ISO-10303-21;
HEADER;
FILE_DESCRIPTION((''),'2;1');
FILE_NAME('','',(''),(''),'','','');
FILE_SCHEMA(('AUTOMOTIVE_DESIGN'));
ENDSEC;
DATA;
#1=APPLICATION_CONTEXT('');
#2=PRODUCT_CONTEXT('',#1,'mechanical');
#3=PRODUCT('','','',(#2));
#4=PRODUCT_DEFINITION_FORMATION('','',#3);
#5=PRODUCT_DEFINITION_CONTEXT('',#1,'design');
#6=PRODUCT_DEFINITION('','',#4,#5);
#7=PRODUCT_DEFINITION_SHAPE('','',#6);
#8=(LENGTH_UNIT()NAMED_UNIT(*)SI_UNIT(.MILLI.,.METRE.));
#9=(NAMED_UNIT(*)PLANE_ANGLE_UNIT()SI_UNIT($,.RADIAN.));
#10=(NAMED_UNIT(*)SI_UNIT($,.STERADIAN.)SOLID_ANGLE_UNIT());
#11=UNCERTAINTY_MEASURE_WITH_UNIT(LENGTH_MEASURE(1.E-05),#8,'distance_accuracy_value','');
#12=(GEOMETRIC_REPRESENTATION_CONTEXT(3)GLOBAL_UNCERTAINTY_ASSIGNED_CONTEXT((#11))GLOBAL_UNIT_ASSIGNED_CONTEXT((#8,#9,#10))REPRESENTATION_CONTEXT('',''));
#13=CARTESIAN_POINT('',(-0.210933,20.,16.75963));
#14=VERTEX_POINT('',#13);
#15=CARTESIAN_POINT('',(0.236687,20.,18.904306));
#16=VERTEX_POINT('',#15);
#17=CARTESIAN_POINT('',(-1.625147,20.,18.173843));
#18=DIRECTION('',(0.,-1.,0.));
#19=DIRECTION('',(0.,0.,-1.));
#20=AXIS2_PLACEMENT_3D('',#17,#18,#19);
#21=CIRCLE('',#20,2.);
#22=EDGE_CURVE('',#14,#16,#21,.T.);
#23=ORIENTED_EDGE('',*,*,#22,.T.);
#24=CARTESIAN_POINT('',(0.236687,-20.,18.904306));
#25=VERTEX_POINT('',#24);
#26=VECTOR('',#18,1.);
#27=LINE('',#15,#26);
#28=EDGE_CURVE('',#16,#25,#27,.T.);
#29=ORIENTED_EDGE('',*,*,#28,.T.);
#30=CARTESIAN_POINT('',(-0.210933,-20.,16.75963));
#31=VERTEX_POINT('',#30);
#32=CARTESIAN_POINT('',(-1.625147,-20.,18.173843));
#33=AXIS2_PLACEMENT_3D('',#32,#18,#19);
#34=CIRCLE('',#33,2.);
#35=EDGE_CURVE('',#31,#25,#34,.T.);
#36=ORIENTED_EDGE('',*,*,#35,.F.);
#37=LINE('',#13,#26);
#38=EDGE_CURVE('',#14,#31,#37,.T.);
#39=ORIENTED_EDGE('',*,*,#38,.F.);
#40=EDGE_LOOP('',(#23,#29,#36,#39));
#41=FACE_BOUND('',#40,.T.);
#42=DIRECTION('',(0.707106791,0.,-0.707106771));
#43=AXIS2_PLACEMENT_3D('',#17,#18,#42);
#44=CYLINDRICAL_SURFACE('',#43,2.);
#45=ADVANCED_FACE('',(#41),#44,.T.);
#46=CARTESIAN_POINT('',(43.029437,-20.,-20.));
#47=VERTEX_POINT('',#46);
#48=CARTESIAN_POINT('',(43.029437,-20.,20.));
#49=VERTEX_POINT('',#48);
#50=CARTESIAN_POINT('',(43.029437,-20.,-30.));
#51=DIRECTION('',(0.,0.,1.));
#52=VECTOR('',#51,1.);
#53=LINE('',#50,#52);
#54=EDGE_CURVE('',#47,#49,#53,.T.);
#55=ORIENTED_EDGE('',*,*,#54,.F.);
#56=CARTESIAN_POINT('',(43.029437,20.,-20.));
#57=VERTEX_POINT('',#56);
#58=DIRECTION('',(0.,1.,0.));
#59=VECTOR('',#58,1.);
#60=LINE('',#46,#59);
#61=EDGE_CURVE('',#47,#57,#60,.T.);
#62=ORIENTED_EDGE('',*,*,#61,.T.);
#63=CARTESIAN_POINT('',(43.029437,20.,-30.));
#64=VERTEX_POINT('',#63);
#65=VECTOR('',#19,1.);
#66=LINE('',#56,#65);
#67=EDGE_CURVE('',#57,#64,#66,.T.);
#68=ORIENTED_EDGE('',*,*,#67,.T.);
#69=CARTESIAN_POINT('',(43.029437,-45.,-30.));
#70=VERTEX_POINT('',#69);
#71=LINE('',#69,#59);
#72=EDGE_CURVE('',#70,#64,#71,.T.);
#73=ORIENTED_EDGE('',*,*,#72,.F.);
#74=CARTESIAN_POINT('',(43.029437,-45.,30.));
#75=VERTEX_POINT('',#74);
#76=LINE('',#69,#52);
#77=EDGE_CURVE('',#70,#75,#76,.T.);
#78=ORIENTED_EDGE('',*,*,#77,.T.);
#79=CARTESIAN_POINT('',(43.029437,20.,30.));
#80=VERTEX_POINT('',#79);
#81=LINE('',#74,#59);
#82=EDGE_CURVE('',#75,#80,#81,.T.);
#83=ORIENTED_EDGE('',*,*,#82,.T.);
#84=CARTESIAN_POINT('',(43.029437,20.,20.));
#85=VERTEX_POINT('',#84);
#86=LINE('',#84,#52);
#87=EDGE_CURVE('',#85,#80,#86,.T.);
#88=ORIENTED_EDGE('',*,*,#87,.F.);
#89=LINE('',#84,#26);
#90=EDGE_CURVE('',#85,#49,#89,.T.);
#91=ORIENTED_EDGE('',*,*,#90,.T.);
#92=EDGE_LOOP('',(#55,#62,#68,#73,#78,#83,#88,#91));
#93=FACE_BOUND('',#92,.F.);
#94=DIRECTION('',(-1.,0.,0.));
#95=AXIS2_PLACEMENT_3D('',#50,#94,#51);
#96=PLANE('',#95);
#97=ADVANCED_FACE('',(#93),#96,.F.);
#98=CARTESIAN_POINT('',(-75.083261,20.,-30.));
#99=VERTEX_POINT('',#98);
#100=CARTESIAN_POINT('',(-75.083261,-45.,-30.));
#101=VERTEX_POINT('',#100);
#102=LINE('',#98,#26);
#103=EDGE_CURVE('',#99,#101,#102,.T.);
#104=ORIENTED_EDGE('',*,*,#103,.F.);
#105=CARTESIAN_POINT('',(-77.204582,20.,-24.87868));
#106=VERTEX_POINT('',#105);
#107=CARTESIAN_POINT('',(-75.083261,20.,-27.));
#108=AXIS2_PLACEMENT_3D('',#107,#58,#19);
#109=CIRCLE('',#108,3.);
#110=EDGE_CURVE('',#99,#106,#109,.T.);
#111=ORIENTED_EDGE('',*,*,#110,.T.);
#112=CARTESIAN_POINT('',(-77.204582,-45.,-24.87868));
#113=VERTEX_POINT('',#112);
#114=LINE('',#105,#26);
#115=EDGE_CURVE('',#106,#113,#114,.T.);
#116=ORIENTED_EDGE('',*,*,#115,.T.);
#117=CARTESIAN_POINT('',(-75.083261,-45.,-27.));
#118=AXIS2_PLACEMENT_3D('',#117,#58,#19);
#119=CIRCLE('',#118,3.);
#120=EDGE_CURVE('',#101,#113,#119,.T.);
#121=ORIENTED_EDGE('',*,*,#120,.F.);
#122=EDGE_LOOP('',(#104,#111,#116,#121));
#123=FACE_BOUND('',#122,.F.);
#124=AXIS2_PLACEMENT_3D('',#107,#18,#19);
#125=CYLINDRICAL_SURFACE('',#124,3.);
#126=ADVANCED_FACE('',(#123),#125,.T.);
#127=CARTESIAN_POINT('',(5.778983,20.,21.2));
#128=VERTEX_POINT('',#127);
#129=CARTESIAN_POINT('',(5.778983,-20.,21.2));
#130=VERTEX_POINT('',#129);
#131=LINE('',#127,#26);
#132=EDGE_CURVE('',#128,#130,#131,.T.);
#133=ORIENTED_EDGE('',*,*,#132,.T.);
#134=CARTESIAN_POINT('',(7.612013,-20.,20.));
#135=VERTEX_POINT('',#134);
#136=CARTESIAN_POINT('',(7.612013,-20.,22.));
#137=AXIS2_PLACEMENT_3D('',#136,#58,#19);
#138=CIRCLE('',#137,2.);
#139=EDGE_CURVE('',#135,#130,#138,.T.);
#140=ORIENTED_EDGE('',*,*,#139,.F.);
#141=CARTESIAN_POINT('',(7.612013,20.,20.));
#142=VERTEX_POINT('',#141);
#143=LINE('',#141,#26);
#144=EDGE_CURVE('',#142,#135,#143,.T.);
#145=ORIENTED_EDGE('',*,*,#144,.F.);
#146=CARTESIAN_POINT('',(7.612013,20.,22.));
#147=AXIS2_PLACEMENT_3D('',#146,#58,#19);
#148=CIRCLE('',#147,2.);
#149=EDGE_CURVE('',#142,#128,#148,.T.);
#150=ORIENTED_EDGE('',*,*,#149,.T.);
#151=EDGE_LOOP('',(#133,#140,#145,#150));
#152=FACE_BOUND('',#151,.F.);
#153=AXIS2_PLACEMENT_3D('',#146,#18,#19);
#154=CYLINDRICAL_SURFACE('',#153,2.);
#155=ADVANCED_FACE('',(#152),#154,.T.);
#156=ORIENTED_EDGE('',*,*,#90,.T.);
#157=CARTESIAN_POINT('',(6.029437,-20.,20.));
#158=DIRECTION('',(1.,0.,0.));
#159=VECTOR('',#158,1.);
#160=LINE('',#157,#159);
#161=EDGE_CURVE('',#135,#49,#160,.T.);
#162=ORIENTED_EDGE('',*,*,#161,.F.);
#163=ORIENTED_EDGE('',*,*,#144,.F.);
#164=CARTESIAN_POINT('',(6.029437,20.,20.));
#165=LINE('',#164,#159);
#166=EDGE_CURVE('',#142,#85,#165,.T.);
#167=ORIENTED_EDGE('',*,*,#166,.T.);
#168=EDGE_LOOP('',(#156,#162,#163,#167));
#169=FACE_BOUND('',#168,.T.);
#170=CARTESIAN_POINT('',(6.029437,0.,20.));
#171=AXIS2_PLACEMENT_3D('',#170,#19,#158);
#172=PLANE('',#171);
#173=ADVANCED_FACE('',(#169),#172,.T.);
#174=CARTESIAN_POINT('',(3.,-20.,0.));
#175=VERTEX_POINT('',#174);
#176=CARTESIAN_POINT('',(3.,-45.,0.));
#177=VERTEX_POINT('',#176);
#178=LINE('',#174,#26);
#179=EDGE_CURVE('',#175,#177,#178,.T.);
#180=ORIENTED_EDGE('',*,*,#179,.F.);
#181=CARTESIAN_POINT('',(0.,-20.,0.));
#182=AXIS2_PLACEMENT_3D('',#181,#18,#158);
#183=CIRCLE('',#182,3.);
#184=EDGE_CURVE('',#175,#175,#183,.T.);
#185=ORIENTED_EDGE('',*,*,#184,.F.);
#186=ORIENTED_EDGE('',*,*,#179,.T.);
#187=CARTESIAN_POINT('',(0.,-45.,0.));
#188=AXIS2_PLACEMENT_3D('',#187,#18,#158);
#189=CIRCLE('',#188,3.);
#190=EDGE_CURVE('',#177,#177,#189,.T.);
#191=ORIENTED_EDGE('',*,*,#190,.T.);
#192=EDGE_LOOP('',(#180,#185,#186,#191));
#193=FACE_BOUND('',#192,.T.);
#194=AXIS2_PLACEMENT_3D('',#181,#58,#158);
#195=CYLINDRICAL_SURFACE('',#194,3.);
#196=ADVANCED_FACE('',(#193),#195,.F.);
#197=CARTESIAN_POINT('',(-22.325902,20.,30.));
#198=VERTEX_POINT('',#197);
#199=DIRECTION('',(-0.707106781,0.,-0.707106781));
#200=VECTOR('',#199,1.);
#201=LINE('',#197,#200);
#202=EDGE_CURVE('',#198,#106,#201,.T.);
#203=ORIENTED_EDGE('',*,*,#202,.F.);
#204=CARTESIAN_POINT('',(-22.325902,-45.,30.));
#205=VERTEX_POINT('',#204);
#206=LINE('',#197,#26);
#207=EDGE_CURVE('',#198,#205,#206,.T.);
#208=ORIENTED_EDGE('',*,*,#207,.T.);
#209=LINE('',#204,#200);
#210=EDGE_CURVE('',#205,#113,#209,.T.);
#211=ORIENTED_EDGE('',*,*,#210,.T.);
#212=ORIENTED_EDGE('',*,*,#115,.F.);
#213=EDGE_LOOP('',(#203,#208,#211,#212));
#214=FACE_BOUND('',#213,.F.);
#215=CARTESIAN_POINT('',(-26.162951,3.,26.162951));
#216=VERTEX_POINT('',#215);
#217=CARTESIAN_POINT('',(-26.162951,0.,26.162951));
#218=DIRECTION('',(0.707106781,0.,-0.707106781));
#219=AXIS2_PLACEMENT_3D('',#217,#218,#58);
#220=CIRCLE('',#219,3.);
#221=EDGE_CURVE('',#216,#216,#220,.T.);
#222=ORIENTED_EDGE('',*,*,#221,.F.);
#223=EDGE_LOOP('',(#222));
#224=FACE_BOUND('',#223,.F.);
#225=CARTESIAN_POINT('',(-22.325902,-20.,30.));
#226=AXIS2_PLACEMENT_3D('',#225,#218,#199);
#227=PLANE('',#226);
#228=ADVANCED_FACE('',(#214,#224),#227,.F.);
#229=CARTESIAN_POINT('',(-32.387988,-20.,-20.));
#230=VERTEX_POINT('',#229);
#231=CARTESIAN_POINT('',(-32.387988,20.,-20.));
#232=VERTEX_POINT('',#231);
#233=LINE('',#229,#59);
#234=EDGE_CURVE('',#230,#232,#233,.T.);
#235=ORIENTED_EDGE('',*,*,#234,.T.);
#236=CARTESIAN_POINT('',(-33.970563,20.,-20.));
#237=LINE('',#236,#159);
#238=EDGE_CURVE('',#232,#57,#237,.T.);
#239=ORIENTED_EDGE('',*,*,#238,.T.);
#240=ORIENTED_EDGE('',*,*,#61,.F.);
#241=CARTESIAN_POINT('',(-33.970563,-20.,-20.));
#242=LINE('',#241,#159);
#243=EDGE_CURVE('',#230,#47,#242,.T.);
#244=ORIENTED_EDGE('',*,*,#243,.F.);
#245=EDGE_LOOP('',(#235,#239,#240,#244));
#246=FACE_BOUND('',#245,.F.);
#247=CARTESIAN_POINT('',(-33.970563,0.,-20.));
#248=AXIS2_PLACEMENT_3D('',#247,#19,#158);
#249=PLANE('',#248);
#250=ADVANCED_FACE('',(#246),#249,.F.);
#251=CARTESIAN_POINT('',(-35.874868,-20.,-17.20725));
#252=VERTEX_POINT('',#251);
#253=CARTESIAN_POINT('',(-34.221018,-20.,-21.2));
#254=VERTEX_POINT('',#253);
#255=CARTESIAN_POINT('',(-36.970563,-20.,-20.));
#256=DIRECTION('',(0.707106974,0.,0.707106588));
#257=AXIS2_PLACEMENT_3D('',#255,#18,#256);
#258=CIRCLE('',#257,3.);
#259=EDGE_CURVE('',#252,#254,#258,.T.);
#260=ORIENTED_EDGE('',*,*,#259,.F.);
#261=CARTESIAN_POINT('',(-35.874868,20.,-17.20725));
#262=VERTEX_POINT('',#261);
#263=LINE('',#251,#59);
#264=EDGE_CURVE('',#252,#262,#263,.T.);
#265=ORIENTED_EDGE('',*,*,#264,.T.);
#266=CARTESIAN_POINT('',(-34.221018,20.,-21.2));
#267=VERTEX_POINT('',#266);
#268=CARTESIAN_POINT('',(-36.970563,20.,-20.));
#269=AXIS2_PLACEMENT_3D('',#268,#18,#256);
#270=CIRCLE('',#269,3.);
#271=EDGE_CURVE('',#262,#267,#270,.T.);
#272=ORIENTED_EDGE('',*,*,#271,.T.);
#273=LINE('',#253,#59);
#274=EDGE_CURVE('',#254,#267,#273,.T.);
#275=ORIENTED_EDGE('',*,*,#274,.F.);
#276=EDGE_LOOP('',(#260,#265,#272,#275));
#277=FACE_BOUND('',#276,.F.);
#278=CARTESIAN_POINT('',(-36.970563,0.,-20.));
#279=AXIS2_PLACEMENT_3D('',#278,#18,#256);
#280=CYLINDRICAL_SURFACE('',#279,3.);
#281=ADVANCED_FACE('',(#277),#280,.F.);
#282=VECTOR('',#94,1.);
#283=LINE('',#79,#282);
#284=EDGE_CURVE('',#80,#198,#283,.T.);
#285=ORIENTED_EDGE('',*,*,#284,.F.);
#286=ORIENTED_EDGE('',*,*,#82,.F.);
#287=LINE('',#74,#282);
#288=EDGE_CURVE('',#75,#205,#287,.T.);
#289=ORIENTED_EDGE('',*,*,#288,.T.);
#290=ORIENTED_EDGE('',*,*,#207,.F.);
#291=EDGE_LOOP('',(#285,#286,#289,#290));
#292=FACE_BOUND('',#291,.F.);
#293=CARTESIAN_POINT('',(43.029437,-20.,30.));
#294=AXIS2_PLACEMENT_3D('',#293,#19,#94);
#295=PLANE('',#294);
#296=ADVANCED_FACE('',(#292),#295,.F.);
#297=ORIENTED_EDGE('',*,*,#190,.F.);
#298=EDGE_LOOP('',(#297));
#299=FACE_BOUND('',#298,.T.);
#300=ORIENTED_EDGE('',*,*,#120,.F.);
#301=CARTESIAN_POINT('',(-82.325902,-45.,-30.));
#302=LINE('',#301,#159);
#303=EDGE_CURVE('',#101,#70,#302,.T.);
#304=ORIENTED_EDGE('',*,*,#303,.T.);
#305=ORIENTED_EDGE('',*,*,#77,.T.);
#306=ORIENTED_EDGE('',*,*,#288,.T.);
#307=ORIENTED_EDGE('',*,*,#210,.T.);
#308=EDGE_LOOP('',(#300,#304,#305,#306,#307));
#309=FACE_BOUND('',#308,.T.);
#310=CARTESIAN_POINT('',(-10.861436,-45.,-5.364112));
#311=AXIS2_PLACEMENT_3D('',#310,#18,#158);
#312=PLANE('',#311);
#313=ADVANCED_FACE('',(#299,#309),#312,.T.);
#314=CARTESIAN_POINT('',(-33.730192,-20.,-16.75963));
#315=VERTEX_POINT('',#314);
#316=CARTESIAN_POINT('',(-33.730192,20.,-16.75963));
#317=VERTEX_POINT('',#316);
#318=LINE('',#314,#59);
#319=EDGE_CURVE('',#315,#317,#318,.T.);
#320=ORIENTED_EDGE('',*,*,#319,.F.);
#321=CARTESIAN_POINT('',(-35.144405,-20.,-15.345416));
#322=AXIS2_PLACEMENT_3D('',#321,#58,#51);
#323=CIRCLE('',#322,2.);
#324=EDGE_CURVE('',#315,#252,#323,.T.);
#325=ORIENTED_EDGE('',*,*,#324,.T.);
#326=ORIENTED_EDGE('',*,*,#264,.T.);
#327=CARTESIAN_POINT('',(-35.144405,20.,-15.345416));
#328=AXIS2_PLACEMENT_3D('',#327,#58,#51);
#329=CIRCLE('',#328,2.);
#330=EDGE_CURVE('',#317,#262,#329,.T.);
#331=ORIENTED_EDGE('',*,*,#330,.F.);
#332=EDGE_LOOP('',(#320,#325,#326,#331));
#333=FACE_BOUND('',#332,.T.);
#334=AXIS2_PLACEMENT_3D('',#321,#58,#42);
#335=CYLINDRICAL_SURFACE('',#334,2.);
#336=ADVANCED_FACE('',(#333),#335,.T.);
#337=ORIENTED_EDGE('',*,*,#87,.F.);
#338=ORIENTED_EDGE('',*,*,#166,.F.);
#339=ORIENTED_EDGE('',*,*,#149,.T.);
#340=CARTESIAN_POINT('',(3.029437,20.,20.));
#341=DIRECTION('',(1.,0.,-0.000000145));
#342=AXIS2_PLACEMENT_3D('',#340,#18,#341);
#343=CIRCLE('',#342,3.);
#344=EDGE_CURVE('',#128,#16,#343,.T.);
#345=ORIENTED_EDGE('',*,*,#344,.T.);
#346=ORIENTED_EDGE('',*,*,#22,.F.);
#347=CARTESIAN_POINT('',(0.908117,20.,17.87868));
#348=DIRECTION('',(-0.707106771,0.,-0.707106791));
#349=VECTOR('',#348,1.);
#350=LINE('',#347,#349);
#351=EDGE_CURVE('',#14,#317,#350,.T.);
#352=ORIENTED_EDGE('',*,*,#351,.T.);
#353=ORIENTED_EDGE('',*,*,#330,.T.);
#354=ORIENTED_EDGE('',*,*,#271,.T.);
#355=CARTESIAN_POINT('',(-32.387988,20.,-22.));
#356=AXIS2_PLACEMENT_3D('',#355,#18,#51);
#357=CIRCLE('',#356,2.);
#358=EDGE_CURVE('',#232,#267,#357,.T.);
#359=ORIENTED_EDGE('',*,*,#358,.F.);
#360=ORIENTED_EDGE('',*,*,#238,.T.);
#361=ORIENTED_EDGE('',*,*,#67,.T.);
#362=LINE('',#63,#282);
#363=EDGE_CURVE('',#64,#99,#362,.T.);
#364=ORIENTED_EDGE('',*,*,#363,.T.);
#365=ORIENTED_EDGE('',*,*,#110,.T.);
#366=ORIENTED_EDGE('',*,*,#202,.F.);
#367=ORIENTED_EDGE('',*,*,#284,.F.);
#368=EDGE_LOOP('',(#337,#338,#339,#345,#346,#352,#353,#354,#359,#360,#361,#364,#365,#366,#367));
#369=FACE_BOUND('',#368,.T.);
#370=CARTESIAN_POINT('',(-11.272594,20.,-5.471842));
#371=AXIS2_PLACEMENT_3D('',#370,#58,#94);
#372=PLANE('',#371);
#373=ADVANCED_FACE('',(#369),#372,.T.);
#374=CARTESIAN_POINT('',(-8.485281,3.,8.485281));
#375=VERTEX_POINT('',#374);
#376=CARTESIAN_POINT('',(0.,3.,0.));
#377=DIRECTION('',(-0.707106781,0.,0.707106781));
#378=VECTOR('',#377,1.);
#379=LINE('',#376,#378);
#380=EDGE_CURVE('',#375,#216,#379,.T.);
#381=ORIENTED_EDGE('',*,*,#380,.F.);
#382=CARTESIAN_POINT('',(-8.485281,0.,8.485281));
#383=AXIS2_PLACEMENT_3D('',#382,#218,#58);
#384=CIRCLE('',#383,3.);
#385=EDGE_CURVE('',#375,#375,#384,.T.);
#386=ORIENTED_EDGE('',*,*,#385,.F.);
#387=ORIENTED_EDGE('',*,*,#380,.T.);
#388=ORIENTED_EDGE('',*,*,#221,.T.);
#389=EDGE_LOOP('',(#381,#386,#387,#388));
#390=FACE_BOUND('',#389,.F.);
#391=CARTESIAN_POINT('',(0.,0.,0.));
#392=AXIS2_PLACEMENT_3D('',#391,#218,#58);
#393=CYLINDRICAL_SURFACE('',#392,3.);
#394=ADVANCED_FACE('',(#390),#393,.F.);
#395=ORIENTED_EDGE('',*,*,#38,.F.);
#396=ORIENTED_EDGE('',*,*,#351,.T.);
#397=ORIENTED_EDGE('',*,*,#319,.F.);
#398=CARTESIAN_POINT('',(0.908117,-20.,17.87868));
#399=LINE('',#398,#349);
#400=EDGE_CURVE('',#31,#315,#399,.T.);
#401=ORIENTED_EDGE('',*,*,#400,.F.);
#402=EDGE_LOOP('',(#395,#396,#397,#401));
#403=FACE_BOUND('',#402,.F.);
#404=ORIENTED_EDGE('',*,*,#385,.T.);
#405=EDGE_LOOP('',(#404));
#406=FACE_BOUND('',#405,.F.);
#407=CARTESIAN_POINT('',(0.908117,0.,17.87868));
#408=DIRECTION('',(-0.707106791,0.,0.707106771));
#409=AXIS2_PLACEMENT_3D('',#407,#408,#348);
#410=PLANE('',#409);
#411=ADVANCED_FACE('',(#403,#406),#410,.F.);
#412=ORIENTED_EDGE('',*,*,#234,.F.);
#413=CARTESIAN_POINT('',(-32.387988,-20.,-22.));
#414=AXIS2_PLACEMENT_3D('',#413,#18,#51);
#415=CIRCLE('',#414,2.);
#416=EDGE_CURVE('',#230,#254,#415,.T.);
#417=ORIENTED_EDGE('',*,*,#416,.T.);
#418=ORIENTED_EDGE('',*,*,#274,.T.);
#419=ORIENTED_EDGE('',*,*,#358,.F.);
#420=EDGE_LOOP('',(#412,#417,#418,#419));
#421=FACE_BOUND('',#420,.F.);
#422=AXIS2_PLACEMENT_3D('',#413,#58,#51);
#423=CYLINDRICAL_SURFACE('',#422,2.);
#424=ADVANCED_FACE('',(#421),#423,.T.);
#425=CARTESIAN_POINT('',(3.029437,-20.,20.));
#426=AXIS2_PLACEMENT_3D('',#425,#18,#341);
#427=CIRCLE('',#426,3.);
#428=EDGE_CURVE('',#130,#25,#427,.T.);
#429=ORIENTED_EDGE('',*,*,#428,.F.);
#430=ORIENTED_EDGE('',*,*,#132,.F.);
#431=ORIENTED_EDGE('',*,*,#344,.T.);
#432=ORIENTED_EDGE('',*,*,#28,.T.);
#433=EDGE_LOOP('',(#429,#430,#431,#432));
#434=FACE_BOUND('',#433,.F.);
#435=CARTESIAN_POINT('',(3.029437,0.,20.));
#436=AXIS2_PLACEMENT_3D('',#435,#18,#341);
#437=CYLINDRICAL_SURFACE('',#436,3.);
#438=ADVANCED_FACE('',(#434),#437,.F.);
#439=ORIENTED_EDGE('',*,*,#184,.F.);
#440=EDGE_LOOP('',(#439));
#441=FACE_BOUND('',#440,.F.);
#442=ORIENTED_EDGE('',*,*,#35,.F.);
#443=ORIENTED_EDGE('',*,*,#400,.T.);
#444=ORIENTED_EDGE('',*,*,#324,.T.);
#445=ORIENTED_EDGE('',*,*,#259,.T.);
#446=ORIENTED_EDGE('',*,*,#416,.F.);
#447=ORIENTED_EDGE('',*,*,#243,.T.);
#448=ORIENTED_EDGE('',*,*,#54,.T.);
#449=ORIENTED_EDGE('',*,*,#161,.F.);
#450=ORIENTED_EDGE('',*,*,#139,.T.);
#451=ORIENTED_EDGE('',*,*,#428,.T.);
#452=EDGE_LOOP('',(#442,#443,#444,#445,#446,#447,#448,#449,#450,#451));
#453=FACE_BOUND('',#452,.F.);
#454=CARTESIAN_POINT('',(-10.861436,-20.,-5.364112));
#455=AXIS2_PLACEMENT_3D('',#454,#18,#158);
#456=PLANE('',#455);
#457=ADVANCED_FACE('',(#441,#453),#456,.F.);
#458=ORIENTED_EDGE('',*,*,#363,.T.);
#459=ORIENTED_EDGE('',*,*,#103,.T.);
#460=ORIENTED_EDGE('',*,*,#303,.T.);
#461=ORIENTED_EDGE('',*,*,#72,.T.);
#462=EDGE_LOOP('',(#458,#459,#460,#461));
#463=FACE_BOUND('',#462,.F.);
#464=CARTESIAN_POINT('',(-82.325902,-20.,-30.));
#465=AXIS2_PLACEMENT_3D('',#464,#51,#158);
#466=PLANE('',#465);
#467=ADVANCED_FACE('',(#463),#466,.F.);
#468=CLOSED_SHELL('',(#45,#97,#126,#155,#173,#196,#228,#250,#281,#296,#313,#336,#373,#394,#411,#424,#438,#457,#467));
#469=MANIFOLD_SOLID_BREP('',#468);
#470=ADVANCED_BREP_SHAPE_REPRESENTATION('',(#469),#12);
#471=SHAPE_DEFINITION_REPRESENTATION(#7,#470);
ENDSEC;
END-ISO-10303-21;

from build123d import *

# Parameters (mm, degrees)
PAD_DEPTH    = 20
SKETCH001_R  = 3
PAD001_DEPTH = 25
SKETCH002_R  = 3
POCKET_DEPTH = 79.427407
FILLET_R     = 2
FILLET001_R  = 3


with BuildPart() as part:
    # Sketch → Pad (new body, symmetric)
    with BuildSketch(Plane.XZ):
        with BuildLine():
            Line((0.908117, 17.87868), (-34.849242, -17.87868))
            ThreePointArc((-34.849242, -17.87868), (-39.742201, -21.14805), (-33.970563, -20))
            Line((-33.970563, -20), (43.029437, -20))
            Line((43.029437, -20), (43.029437, -30))
            Line((43.029437, -30), (-82.325902, -30))
            Line((-22.325902, 30), (-82.325902, -30))
            Line((43.029437, 30), (-22.325902, 30))
            Line((43.029437, 20), (43.029437, 30))
            Line((6.029437, 20), (43.029437, 20))
            ThreePointArc((6.029437, 20), (1.881387, 22.771639), (0.908117, 17.87868))
        make_face()
    extrude(amount=PAD_DEPTH, both=True)

    # Sketch001 → Pad001 (join)
    with BuildSketch(Plane.XZ.offset(20)):
        Polygon((43.029437, -20), (43.029437, 20), (43.029437, 30), (-22.325902, 30), (-82.325902, -30), (43.029437, -30), align=None)
        Circle(SKETCH001_R, mode=Mode.SUBTRACT)
    extrude(amount=PAD001_DEPTH)

    # Sketch002 → Pocket (cut, through all)
    with BuildSketch(Plane(origin=(0, 0, 0), x_dir=(0, 1, 0), z_dir=(0.707107, 0, -0.707107))):
        Circle(SKETCH002_R)
    extrude(amount=-POCKET_DEPTH, mode=Mode.SUBTRACT)

    # Fillet
    fillet_edges = [part.edges().sort_by_distance(p)[0] for p in [
        (-33.970563, 0, -20),
        (-34.849242, 0, -17.87868),
        (0.908117, 0, 17.87868),
        (6.029437, 0, 20),
    ]]
    fillet(fillet_edges, radius=FILLET_R)

    # Fillet001
    fillet001_edges = [part.edges().sort_by_distance(p)[0] for p in [
        (-82.325902, -32.5, -30),
        (-82.325902, 0, -30),
    ]]
    fillet(fillet001_edges, radius=FILLET001_R)


solid = part.part
